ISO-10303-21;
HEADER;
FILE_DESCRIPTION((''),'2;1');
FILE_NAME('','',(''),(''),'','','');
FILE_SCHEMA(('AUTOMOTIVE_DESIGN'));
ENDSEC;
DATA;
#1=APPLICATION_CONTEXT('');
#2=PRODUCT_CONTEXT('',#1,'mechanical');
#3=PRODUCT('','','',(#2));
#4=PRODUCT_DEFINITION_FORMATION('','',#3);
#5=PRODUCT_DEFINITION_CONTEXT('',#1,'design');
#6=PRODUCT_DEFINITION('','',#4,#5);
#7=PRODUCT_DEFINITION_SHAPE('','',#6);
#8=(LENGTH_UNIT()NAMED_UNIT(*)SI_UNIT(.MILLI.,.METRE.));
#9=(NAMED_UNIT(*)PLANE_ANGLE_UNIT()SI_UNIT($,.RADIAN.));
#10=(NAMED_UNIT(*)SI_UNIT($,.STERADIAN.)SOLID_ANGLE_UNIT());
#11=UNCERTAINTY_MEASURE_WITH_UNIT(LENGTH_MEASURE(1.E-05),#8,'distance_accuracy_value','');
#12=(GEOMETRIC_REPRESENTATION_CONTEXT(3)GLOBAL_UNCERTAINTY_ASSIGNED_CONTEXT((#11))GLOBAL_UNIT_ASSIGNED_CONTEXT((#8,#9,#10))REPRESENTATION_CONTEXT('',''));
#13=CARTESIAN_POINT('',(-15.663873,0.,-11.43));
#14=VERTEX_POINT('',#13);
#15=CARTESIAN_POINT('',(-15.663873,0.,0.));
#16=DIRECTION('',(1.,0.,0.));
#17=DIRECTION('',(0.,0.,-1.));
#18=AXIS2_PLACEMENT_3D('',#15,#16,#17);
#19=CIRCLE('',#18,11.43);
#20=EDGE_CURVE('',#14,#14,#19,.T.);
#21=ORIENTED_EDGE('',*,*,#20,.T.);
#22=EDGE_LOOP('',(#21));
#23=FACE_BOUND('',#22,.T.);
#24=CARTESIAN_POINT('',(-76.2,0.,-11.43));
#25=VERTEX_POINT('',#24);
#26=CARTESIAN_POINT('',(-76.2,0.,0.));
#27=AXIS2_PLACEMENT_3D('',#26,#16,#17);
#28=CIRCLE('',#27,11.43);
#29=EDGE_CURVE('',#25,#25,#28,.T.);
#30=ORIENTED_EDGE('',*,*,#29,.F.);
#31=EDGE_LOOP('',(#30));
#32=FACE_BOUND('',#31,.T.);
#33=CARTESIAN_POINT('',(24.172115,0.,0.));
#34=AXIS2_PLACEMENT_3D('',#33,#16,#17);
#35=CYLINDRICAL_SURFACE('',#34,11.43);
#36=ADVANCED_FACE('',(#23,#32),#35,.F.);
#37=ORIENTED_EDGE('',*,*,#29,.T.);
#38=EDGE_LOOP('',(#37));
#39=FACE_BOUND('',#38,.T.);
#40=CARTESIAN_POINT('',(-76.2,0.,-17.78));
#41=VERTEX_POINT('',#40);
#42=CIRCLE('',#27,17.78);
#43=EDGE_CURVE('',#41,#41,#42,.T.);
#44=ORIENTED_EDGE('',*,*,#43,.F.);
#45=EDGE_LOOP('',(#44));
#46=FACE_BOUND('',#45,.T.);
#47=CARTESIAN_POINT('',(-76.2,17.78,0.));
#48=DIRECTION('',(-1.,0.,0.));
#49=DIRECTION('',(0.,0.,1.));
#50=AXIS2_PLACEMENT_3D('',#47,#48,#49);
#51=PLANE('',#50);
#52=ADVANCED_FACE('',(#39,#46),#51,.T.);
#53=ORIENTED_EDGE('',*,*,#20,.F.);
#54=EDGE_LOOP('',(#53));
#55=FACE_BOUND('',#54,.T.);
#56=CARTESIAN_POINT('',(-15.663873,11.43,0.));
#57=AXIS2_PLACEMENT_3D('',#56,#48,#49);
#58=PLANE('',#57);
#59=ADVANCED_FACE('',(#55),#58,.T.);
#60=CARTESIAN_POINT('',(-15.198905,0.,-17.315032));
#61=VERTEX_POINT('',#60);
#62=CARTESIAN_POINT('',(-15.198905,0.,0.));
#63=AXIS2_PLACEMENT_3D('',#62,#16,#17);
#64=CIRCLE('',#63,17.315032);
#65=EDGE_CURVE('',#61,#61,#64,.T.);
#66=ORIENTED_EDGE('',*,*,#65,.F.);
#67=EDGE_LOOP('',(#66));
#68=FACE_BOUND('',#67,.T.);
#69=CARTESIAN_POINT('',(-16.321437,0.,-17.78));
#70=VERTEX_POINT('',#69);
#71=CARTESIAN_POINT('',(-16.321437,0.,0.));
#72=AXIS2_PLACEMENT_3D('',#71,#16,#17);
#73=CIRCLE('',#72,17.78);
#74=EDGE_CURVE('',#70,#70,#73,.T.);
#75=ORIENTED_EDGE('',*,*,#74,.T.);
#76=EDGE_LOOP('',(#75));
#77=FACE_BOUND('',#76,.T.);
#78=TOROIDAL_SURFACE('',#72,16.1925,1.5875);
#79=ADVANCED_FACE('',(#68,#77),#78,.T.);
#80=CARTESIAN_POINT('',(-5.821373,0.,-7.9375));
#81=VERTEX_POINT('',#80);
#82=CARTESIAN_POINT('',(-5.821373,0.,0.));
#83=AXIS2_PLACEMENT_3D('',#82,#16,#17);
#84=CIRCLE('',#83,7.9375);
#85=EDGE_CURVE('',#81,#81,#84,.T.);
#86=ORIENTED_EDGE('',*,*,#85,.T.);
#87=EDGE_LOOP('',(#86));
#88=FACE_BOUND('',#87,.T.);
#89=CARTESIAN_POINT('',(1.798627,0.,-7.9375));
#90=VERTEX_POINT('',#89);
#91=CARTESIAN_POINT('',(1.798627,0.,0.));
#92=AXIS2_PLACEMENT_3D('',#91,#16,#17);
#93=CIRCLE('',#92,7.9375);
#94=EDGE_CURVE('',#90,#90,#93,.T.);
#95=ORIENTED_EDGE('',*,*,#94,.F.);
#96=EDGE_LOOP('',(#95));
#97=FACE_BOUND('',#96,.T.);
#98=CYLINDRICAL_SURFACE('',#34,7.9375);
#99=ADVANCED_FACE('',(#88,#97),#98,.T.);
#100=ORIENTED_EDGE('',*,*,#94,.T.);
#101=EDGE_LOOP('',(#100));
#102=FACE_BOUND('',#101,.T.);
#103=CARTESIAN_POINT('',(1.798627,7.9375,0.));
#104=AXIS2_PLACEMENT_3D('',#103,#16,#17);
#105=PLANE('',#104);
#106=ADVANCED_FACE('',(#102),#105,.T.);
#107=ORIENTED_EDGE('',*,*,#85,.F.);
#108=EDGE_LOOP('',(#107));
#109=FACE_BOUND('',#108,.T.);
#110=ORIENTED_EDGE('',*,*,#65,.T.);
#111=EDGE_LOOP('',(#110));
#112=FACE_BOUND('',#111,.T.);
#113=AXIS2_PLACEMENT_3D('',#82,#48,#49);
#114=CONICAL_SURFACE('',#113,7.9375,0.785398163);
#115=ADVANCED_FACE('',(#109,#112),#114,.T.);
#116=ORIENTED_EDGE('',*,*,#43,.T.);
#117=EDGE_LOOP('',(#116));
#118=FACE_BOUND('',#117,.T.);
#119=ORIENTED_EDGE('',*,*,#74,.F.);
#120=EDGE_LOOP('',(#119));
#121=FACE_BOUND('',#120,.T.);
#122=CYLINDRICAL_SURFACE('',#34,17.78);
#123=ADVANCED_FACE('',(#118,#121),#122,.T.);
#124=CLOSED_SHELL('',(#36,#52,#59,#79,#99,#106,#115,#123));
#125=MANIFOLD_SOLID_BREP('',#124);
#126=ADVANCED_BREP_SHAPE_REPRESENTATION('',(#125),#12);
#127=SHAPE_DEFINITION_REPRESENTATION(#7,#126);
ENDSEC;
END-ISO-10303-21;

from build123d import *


with BuildPart() as part:
    # Sketch3 → Revolve1 (revolve)
    with BuildSketch(Plane.XY, mode=Mode.PRIVATE) as revolve1_sk:
        with BuildLine():
            Line((-76.2, 17.78), (-76.2, 11.43))
            Line((-76.2, 11.43), (-15.663873033, 11.43))
            Line((-15.663873033, 11.43), (-15.663873033, 0))
            Line((-15.663873033, 0), (-5.821373033, 0))
            Line((-5.821373033, 0), (1.798626967, 0))
            Line((1.798626967, 0), (1.798626967, 7.9375))
            Line((1.798626967, 7.9375), (-5.821373033, 7.9375))
            Line((-5.821373033, 7.9375), (-15.198905048, 17.315032015))
            ThreePointArc((-15.198905048, 17.315032015), (-15.713927115, 17.659158758), (-16.321437064, 17.78))
            Line((-16.321437064, 17.78), (-76.2, 17.78))
        make_face()
    revolve(revolve1_sk.sketch.rotate(Axis((24.172114646, 0, 0), (-1, 0, 0)), 90), axis=Axis((24.172114646, 0, 0), (-1, 0, 0)))


solid = part.part
